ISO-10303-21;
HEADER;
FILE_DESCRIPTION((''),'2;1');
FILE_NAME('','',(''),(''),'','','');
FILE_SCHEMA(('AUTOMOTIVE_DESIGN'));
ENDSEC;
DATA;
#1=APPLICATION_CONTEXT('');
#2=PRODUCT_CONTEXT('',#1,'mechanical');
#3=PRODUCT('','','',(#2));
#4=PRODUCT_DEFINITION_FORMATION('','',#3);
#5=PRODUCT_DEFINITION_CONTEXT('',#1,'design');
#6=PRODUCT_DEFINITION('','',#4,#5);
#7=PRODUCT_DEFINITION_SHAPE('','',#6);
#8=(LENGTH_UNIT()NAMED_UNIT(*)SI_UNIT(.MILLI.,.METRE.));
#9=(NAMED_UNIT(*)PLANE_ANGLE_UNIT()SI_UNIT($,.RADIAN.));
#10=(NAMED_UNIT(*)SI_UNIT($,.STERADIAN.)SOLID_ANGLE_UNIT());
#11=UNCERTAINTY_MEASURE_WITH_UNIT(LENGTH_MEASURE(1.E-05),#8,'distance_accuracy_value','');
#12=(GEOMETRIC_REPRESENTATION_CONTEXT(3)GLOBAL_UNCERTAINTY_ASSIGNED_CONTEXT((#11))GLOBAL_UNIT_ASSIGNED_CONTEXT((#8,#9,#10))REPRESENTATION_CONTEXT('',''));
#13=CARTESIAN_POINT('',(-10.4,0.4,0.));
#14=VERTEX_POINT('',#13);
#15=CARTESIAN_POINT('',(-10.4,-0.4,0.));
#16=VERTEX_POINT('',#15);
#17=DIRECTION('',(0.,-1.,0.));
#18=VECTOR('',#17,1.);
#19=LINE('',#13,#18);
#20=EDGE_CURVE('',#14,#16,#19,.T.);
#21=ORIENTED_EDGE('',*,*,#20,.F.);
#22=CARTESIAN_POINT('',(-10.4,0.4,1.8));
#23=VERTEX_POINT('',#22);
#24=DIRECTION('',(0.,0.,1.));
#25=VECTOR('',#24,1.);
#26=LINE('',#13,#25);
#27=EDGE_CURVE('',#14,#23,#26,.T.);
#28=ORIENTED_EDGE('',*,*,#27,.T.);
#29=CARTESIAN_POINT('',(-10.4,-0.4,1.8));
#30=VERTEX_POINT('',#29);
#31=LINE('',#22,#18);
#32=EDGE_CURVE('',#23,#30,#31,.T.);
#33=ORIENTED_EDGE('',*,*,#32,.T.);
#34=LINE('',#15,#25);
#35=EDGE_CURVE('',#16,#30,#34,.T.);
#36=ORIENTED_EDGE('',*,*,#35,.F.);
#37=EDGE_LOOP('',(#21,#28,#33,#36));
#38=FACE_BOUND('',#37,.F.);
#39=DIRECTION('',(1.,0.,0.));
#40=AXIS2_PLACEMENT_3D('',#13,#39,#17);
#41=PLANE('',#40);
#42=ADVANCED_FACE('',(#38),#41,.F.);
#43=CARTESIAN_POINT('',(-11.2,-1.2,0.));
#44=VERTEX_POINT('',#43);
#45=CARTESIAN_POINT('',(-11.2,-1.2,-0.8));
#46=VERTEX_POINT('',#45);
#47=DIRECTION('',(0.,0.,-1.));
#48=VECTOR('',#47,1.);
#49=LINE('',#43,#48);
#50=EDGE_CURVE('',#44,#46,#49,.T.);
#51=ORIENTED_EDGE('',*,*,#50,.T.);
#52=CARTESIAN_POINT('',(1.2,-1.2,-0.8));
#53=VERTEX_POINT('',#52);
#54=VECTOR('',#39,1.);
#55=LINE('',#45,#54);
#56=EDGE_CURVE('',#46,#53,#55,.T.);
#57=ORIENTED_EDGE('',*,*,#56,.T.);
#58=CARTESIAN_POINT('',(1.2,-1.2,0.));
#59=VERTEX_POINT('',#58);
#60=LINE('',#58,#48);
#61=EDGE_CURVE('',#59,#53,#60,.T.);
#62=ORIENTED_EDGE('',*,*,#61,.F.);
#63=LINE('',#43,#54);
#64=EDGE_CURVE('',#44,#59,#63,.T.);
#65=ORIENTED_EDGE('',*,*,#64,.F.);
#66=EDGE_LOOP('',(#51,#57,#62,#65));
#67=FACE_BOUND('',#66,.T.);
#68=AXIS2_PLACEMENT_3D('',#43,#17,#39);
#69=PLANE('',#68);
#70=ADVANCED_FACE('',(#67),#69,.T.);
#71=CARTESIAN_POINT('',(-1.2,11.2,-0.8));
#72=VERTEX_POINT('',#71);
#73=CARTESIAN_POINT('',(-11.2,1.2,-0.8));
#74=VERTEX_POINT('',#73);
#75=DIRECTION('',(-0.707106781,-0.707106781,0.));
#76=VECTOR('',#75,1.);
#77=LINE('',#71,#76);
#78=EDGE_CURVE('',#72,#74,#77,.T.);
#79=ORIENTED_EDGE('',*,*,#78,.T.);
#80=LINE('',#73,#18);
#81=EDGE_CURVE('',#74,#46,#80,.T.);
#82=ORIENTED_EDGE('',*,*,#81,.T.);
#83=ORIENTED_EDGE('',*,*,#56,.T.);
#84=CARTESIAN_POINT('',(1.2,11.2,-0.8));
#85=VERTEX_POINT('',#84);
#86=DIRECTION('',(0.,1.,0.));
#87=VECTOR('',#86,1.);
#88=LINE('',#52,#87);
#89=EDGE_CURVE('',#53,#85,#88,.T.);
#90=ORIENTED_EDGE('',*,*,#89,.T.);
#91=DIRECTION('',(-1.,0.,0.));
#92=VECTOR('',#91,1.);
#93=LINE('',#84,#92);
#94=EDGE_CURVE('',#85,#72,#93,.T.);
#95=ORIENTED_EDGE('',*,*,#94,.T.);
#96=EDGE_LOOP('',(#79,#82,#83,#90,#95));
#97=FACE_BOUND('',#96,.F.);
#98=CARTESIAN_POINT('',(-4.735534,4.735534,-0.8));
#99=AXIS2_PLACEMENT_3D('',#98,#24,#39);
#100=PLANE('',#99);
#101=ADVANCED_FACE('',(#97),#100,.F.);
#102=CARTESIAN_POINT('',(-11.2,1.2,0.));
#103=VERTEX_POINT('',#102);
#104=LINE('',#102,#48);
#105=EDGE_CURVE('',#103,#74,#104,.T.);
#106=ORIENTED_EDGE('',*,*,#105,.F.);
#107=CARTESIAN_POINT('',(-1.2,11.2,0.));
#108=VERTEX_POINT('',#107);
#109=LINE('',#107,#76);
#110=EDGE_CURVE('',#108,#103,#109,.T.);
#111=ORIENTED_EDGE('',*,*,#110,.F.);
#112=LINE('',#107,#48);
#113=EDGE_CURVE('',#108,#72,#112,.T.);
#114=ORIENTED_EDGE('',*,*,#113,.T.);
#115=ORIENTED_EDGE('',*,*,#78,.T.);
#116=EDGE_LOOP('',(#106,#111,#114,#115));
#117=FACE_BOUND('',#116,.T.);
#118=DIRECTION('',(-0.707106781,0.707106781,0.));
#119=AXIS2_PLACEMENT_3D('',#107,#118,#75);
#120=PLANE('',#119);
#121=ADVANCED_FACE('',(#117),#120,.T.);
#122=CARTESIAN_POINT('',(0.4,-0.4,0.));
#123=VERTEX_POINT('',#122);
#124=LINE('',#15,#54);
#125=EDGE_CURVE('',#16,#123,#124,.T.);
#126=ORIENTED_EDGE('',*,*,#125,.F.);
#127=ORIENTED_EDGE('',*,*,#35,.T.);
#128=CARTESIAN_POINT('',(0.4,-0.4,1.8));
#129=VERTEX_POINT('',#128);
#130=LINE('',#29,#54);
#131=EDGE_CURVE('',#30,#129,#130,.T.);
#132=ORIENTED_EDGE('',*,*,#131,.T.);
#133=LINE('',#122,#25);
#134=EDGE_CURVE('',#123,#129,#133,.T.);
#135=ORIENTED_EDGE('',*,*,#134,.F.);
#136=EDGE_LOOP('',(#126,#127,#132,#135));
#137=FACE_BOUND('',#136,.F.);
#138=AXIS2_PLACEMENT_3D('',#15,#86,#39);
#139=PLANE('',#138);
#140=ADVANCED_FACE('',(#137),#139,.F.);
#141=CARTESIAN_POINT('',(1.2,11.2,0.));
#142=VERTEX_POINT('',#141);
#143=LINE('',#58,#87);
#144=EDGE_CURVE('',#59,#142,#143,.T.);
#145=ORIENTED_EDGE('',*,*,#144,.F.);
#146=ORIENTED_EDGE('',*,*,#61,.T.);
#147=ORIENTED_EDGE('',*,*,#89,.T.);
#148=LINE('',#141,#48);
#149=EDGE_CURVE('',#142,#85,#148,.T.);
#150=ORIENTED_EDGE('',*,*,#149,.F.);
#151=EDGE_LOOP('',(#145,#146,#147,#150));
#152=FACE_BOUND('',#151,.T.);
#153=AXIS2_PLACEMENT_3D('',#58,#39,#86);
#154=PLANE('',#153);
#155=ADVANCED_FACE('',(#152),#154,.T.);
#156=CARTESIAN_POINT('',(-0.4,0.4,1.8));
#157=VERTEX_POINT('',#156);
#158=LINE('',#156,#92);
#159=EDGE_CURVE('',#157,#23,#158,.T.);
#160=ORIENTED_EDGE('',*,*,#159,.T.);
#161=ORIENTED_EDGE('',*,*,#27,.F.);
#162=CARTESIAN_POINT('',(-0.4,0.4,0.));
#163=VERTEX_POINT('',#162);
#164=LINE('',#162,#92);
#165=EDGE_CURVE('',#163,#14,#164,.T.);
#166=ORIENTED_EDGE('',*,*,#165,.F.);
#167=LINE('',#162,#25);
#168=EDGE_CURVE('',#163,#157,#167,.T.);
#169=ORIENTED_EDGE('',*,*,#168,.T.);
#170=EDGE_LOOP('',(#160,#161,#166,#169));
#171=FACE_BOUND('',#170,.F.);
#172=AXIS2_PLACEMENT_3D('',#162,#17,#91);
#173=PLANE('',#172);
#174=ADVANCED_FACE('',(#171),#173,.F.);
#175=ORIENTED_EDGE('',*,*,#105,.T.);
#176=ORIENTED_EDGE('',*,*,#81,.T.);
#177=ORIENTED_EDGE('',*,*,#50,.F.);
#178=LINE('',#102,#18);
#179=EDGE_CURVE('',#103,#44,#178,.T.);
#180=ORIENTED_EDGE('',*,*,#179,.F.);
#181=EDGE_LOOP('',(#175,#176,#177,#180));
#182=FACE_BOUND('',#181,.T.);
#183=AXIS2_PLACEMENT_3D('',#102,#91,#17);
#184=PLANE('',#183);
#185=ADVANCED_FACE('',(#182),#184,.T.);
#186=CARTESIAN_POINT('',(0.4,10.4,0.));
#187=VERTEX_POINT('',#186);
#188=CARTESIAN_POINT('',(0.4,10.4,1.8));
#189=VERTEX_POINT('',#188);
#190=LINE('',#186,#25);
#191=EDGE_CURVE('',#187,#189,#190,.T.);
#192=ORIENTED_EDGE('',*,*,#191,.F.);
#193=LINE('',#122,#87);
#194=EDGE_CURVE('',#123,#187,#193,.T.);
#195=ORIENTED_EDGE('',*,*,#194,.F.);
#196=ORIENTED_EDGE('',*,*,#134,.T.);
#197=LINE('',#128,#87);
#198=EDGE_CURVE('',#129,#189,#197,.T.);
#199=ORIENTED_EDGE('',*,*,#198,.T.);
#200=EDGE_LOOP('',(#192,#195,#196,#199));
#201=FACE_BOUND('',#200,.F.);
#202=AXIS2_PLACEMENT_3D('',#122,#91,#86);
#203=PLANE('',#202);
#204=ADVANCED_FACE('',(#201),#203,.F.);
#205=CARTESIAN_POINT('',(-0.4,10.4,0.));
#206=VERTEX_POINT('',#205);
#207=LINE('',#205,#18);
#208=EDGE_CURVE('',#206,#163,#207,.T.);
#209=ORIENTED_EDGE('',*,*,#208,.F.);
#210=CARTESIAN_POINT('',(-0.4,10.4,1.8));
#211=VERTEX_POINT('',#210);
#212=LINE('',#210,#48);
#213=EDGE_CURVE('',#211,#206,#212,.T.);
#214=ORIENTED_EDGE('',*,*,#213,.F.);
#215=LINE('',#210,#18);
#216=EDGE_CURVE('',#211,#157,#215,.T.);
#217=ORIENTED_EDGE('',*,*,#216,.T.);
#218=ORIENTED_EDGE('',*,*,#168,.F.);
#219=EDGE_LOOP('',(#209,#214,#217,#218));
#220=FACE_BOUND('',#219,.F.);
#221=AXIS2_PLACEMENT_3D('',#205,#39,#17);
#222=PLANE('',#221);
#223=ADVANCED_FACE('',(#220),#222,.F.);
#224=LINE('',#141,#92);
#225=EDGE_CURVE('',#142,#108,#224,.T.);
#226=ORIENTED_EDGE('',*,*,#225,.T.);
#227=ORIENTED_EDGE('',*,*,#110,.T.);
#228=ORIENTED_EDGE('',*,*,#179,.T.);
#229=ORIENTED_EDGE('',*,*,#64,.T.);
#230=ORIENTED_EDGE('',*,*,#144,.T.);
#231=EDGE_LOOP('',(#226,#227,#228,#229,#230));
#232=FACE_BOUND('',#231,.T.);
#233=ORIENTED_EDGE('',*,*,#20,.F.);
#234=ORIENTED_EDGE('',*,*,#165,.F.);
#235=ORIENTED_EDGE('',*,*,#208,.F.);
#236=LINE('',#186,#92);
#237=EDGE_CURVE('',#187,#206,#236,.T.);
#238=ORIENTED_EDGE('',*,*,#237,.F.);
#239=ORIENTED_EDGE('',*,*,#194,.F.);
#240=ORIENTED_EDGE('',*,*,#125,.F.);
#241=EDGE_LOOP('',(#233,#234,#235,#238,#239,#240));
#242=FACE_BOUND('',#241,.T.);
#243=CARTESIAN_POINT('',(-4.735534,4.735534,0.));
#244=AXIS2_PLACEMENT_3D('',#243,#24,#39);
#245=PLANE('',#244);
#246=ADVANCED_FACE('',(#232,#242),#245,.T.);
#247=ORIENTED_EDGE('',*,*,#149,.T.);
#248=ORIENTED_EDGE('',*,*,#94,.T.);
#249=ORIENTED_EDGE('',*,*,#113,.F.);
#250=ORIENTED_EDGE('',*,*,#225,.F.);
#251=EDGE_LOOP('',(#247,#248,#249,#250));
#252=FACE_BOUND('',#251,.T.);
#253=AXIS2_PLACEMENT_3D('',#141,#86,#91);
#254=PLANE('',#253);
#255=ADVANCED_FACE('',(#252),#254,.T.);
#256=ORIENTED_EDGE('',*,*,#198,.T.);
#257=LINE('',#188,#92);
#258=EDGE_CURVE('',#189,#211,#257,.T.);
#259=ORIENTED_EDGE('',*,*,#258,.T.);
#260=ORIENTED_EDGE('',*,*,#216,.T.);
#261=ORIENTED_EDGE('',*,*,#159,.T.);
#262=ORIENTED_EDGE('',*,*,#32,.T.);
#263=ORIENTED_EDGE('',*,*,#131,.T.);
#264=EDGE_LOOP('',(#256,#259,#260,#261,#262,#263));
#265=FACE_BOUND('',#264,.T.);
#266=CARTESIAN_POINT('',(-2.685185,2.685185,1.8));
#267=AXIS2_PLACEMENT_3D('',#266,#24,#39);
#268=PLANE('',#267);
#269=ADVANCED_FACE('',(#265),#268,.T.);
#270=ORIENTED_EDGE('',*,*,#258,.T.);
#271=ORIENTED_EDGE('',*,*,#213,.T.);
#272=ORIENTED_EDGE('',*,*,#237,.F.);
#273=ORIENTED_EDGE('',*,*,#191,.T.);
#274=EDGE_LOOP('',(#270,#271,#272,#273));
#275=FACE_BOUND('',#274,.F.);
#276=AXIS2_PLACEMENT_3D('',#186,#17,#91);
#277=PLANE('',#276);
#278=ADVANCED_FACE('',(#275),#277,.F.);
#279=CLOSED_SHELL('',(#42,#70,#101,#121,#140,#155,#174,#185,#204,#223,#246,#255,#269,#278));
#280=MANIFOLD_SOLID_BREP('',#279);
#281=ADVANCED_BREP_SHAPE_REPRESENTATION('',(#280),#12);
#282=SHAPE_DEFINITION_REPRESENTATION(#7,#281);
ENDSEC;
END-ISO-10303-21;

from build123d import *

# Parameters (mm, degrees)
F1_DEPTH = 1.8
F0_W     = 0.8
F0_H     = 0.8
F2_DEPTH = 0.8


with BuildPart() as f1:
    # F0 (on Top) → F1 (new body)
    with BuildSketch(Plane.XY):
        Polygon((-0.4, 10.4), (-0.4, 0.4), (-10.4, 0.4), (-10.4, -0.4), (-0.4, -0.4), (0.4, -0.4), (0.4, 0.4), (0.4, 10.4), align=None)
    extrude(amount=F1_DEPTH)

    # F0 (on Top) + F1_face (on face) → F2 (join)
    with BuildSketch(Plane.XY):
        Polygon((-1.2, 1.2), (-1.2, 11.2), (-11.2, 1.2), align=None)
        Polygon((-10.4, 0.4), (-0.4, 0.4), (-0.4, 10.4), (0.4, 10.4), (0.4, 0.4), (1.2, 0.4), (1.2, 1.2), (1.2, 11.2), (-1.2, 11.2), (-1.2, 1.2), (-11.2, 1.2), (-11.2, -1.2), (-1.2, -1.2), (-0.4, -1.2), (-0.4, -0.4), (-10.4, -0.4), align=None)
        Polygon((-0.4, 10.4), (-0.4, 0.4), (-10.4, 0.4), (-10.4, -0.4), (-0.4, -0.4), (0.4, -0.4), (0.4, 0.4), (0.4, 10.4), align=None)
        with Locations((0, -0.8)):
            Rectangle(F0_W, F0_H)
        with Locations((0.8, 0)):
            Rectangle(F0_W, F0_H)
        with Locations((0.8, -0.8)):
            Rectangle(F0_W, F0_H)
    with BuildSketch(Plane(origin=(-2.5961538462, 2.5961538462, 1.8), x_dir=(1, 0, 0), z_dir=(0, 0, 1))):
        Polygon((2.9961538462, -2.9961538462), (2.9961538462, 7.8038461538), (2.1961538462, 7.8038461538), (2.1961538462, -2.1961538462), (-7.8038461538, -2.1961538462), (-7.8038461538, -2.9961538462), align=None)
    extrude(amount=-F2_DEPTH)


solid = f1.part
